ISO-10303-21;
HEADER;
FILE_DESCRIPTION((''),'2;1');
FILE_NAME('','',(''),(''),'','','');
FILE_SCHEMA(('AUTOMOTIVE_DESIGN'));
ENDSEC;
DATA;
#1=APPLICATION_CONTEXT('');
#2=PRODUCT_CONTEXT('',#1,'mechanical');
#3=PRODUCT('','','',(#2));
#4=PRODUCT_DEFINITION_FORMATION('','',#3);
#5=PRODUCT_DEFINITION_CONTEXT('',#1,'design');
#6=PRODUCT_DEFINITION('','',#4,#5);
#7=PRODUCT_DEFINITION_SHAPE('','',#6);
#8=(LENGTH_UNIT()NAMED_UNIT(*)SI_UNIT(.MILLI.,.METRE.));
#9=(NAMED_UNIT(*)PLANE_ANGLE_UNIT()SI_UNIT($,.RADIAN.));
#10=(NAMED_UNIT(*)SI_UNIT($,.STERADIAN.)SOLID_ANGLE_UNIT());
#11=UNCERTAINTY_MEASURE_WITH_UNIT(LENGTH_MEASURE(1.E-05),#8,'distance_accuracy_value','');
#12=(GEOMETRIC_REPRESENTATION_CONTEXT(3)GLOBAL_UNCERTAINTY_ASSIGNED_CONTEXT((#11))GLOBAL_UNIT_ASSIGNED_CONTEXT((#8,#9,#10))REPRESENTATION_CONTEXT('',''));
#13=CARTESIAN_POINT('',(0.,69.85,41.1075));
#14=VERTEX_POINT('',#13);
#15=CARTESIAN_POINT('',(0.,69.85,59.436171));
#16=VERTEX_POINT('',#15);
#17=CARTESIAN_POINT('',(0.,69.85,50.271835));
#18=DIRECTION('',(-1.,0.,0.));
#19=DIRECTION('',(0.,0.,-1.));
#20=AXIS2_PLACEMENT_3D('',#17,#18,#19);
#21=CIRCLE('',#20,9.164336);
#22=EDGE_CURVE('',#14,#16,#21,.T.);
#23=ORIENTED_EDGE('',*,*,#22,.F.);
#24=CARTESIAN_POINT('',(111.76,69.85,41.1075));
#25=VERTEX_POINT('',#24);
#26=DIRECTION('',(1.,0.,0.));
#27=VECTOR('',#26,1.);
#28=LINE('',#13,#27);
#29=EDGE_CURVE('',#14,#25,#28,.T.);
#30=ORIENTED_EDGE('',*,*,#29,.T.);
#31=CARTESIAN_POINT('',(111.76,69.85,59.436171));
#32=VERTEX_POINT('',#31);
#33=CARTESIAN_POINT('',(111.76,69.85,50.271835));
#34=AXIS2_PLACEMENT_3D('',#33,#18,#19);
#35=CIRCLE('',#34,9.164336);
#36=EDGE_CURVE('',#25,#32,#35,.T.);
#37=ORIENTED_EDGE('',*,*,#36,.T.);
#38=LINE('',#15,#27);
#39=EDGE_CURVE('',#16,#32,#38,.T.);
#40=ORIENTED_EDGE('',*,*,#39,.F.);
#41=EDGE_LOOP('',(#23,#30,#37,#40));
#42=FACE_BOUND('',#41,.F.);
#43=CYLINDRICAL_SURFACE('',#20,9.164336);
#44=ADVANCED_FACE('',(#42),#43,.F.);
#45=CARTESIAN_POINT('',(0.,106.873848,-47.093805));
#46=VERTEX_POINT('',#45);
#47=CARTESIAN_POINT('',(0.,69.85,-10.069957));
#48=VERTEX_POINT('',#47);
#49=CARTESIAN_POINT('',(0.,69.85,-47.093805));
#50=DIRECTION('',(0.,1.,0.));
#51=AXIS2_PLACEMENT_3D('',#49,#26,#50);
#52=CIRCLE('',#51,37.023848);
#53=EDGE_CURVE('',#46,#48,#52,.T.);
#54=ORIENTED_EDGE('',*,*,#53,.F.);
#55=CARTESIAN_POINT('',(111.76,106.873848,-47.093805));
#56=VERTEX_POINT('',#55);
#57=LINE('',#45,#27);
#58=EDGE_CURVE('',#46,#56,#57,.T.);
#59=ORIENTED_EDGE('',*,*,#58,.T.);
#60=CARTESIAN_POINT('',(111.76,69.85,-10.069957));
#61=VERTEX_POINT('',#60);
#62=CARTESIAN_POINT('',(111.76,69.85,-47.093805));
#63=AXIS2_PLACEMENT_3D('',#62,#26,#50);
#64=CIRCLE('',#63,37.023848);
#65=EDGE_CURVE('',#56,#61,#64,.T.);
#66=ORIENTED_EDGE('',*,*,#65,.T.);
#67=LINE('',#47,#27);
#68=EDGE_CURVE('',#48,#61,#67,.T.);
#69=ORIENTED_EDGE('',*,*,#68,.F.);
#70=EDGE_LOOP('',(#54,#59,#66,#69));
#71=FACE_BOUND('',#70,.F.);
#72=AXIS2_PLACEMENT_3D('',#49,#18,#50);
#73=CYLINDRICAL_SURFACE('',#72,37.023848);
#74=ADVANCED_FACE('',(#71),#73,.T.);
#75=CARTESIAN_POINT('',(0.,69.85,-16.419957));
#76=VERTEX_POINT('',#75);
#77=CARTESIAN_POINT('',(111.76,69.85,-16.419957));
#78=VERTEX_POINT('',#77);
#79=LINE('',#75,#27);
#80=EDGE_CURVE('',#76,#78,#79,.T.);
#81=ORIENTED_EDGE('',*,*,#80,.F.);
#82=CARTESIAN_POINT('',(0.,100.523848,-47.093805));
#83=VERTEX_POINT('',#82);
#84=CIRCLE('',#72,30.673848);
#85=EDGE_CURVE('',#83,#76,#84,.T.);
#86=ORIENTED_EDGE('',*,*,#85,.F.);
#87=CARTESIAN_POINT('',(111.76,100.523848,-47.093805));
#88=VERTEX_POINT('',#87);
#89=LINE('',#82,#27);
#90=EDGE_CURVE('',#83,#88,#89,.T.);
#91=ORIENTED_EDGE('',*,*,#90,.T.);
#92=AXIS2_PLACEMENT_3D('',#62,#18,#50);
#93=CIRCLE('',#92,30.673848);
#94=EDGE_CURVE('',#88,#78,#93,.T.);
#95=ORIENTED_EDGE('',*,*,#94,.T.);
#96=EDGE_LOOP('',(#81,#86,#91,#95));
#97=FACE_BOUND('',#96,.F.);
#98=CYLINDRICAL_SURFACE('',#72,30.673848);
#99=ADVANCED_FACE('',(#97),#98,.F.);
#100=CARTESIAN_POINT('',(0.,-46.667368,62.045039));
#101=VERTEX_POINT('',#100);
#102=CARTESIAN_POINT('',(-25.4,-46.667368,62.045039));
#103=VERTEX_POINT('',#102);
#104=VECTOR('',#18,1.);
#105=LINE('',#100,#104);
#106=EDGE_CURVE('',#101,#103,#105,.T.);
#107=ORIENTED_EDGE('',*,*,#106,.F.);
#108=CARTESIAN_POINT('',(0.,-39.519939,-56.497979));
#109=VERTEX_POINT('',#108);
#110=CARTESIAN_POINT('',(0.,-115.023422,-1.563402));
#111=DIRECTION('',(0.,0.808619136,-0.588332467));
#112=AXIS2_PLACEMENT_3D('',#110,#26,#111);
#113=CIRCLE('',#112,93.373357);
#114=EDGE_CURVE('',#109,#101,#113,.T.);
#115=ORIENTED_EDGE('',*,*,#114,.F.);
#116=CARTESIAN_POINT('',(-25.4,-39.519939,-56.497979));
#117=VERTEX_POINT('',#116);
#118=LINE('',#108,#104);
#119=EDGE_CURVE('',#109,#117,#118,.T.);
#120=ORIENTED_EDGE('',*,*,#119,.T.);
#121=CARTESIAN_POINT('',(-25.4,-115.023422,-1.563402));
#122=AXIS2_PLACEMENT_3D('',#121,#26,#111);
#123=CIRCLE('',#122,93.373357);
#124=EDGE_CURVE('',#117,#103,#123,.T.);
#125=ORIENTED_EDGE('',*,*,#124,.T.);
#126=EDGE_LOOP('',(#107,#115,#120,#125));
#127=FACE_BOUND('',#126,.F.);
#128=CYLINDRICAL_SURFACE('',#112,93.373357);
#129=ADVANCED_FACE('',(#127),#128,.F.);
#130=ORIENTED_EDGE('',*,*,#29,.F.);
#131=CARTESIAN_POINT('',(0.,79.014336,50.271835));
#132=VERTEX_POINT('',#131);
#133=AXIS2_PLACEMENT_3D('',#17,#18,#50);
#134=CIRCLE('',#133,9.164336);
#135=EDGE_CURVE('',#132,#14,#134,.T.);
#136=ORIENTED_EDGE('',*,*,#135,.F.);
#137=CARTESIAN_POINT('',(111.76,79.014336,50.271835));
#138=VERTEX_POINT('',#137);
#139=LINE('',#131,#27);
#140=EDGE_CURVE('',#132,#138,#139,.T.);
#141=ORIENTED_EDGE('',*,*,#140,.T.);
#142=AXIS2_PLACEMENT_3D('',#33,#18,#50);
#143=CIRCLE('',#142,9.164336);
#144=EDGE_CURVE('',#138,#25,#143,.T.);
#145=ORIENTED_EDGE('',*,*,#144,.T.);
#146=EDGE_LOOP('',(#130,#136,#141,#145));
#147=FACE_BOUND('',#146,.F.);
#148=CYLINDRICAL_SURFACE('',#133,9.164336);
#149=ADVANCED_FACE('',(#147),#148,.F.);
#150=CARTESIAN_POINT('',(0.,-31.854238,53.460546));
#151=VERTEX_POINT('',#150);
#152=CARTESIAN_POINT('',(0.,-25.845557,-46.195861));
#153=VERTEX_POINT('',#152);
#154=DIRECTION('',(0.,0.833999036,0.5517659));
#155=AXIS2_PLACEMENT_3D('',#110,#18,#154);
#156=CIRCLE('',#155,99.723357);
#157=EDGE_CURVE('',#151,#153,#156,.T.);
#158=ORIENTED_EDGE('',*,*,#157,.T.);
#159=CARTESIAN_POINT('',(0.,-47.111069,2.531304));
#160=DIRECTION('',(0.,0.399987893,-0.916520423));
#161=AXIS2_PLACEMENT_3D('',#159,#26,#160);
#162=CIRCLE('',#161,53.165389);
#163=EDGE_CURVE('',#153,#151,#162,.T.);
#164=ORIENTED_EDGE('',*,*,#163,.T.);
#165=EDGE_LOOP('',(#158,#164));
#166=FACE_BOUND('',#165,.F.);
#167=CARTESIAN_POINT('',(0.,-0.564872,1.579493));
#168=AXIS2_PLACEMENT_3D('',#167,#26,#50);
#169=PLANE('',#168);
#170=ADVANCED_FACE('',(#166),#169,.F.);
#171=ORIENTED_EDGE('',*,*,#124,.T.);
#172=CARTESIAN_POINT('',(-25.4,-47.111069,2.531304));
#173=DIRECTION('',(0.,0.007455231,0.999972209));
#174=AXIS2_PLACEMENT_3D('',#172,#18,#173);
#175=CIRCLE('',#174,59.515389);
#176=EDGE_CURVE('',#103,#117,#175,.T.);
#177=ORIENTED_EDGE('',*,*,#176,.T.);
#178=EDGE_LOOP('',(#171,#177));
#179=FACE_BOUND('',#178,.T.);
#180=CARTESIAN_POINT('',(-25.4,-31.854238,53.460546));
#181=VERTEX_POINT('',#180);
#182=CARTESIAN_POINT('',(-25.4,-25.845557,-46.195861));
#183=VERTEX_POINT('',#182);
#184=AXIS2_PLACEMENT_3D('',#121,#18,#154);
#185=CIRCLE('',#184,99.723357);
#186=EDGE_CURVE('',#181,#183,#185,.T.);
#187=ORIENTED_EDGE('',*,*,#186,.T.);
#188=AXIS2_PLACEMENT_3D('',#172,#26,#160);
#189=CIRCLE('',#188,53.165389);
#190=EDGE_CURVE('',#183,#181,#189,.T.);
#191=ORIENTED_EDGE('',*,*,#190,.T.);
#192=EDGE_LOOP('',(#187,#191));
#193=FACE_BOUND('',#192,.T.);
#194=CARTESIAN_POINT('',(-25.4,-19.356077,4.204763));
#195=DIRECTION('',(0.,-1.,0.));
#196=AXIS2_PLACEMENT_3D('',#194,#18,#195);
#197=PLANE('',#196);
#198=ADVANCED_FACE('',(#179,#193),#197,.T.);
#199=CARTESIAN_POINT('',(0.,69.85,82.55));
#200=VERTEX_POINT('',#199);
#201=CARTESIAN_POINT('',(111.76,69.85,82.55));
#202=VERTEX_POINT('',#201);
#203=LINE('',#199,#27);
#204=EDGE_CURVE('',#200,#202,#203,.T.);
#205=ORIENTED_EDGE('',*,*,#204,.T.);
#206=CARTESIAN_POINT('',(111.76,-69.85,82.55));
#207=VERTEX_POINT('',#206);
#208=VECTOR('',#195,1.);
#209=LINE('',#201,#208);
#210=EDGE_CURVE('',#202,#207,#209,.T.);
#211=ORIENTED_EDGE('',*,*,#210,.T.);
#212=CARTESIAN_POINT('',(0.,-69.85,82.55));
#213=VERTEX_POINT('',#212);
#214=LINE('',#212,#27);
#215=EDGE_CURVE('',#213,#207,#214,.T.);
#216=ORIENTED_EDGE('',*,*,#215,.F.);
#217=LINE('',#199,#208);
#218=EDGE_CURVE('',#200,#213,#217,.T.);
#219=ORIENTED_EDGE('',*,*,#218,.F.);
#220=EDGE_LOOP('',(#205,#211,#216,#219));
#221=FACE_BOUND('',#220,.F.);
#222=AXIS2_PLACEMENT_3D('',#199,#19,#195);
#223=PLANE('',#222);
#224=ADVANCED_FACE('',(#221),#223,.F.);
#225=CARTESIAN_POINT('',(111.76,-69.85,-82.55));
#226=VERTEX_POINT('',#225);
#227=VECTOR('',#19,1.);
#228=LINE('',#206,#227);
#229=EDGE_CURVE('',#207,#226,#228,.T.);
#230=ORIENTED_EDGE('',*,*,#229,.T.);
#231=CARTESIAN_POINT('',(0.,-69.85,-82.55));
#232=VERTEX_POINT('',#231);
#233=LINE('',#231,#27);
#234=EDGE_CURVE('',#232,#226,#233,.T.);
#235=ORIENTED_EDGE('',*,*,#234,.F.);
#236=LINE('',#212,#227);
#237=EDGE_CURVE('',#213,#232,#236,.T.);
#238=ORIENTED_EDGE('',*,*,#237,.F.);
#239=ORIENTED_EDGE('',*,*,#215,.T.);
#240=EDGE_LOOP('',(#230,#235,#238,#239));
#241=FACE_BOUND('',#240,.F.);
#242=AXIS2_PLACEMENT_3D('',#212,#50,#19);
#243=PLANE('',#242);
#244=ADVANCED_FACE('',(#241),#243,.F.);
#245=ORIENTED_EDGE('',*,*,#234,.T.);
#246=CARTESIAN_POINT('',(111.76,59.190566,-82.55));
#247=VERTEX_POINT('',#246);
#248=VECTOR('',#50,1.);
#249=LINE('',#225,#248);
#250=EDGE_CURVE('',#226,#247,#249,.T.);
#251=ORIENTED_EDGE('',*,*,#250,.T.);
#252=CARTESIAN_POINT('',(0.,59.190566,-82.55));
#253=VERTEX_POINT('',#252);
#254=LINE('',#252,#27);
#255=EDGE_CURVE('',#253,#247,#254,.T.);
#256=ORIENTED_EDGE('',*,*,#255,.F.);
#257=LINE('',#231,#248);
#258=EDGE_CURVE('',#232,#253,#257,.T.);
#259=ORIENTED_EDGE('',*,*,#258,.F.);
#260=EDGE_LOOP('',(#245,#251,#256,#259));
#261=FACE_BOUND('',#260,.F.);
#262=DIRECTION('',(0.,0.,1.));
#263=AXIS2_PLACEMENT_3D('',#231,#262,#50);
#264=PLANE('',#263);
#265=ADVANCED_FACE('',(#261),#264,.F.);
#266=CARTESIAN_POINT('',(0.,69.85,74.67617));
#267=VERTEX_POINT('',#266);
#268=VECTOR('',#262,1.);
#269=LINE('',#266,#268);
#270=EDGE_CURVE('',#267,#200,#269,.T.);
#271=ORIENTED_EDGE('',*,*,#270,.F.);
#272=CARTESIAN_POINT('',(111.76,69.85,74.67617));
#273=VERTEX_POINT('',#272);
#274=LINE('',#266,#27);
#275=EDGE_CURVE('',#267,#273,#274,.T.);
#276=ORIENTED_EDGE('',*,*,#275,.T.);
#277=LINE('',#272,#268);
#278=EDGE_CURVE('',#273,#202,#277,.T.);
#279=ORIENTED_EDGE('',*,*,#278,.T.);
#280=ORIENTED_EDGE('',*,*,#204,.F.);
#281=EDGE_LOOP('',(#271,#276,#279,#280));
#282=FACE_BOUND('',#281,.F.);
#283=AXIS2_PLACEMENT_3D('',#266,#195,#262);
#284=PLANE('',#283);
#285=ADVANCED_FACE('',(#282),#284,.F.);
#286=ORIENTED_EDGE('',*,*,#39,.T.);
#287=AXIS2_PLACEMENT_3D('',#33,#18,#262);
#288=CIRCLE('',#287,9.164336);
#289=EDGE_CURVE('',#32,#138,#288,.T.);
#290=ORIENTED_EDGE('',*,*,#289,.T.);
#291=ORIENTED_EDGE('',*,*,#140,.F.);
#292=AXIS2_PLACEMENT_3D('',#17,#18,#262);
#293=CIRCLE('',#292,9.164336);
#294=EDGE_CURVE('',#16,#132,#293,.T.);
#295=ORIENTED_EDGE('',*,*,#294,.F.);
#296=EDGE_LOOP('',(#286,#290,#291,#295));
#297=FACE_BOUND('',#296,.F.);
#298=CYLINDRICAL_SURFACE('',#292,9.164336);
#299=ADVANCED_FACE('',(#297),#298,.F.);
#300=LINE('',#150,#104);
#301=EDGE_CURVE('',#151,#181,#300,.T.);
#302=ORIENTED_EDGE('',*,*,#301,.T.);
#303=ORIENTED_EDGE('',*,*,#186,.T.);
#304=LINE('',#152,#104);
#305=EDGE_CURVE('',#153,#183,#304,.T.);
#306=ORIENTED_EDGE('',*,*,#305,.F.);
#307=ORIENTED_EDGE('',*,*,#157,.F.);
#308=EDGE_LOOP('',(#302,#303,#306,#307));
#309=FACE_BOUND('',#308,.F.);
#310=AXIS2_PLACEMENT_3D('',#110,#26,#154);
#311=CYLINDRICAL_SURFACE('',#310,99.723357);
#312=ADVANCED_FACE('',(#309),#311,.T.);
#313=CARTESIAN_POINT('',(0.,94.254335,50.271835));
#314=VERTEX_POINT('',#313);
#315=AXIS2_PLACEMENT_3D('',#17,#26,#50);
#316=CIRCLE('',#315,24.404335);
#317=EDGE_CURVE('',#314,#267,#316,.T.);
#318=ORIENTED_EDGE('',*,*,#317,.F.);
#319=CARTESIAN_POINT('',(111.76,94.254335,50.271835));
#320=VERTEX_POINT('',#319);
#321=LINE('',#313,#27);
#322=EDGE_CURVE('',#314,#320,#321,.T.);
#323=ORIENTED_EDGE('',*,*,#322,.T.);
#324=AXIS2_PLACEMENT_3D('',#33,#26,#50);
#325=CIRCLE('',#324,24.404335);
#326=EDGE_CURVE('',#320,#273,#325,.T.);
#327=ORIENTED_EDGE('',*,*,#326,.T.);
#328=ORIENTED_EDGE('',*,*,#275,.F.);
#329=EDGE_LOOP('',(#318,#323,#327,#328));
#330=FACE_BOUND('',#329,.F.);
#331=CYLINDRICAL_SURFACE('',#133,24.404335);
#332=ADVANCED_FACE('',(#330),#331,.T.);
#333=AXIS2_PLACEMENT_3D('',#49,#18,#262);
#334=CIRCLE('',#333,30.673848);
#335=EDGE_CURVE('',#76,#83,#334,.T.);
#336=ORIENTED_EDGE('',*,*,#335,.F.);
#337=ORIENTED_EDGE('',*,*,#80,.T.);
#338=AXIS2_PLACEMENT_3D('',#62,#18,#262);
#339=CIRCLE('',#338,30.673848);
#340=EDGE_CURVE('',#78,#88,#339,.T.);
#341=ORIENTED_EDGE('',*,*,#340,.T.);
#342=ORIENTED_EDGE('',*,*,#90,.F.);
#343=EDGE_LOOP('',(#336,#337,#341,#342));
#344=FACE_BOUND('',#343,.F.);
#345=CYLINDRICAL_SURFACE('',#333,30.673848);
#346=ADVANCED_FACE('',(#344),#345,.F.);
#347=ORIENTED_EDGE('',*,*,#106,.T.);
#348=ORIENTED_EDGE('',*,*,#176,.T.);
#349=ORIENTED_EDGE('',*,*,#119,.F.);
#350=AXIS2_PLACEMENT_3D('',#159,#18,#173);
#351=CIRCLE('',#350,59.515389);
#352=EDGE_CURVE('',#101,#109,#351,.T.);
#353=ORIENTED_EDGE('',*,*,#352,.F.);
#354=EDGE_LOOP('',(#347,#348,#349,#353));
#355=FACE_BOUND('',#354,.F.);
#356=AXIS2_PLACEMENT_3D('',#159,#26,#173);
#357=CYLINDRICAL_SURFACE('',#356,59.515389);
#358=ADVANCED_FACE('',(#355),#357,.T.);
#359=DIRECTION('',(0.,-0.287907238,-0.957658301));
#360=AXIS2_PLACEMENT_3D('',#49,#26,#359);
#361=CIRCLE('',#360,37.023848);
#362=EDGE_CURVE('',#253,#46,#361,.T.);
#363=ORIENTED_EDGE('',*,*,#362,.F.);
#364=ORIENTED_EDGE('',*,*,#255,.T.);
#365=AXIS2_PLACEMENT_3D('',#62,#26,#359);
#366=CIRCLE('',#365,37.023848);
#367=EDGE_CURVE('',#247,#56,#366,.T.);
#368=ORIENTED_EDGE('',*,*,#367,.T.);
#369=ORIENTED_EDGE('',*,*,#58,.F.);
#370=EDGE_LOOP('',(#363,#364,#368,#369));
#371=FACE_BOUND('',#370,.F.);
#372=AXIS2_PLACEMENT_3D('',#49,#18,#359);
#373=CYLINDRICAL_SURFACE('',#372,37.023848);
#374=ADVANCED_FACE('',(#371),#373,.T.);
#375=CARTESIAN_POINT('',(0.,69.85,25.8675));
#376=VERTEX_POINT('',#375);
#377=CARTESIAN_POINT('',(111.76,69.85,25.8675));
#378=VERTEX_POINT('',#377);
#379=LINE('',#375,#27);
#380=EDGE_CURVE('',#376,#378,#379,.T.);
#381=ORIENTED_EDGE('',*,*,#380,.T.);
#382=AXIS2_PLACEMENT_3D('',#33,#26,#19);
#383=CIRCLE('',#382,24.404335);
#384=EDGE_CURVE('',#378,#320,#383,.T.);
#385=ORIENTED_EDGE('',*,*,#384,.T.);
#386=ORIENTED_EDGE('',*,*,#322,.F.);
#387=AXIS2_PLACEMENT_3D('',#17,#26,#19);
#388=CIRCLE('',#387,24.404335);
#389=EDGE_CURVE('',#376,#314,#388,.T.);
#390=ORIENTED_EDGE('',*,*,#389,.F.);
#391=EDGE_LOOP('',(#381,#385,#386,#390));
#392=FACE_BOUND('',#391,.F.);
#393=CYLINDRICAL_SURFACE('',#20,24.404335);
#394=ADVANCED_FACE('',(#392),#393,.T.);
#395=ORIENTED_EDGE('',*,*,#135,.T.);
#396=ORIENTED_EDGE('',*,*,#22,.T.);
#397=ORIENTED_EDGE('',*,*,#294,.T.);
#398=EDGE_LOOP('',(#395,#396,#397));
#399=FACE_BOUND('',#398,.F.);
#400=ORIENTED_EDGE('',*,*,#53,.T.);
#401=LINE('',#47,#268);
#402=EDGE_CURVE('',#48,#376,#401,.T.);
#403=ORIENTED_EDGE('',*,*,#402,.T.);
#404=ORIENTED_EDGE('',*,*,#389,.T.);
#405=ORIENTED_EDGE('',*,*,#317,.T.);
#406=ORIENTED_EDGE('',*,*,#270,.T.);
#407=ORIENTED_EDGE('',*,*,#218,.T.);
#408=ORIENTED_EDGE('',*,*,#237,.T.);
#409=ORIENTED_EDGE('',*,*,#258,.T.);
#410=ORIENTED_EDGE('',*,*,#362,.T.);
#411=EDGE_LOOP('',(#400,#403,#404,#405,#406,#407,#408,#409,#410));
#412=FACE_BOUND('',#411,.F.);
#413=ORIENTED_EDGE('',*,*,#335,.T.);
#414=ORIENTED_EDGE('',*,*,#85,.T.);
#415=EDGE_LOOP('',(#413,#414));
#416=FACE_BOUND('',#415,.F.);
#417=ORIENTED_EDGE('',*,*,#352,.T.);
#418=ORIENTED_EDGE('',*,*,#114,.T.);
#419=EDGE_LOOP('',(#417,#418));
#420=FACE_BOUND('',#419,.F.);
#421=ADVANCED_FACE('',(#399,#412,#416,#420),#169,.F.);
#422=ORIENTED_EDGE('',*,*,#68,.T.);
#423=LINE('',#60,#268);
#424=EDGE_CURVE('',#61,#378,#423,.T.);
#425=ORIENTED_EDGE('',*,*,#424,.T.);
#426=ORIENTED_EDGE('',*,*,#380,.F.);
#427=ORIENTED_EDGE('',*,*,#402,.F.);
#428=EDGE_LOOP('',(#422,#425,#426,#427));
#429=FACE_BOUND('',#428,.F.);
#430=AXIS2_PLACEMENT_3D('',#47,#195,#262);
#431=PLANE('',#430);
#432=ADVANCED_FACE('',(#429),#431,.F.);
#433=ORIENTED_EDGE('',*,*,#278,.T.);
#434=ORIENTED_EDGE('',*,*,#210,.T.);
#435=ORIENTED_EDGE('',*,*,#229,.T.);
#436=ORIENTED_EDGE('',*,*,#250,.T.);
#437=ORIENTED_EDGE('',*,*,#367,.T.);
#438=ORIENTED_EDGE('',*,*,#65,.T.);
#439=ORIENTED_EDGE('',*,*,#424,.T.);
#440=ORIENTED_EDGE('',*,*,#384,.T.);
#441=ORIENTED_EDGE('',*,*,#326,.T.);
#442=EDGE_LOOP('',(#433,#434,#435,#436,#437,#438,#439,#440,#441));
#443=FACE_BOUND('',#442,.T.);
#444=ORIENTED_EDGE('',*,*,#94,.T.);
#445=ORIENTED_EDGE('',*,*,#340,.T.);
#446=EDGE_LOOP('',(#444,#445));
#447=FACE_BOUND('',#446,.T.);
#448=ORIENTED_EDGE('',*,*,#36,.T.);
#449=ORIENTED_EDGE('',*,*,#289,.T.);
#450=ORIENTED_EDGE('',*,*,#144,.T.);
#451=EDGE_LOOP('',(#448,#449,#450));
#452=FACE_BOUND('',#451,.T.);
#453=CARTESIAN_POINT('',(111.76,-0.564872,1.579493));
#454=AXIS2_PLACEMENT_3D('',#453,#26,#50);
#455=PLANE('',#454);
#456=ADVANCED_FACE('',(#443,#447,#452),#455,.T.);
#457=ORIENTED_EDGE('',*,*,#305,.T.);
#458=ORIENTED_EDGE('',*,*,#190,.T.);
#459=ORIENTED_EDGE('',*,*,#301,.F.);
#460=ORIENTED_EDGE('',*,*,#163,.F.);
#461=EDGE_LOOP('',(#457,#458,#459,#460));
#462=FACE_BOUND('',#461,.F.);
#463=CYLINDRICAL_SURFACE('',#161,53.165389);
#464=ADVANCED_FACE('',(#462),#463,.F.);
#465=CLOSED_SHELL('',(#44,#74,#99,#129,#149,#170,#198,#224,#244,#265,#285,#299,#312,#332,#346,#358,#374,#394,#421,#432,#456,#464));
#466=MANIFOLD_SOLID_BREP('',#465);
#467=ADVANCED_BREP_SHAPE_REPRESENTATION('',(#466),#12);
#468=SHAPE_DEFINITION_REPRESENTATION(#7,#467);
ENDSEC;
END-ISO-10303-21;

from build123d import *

# Parameters (mm, degrees)
F1_DEPTH = 111.76
F4_DEPTH = 25.4


with BuildPart() as f1:
    # F0 (on Right) → F1 (new body)
    with BuildSketch(Plane.YZ):
        with BuildLine():
            ThreePointArc((59.190566269, -82.55), (33.2201620113, -41.7067588395), (69.85, -10.0699572513))
            Line((69.85, -10.0699572513), (69.85, 25.8675002325))
            ThreePointArc((69.85, 25.8675002325), (45.4456650544, 50.2718351781), (69.85, 74.6761701237))
            Line((69.85, 74.6761701237), (69.85, 82.55))
            Line((69.85, 82.55), (-69.85, 82.55))
            Line((-69.85, 82.55), (-69.85, -82.55))
            Line((-69.85, -82.55), (59.190566269, -82.55))
        make_face()
        with BuildLine():
            ThreePointArc((59.190566269, -82.55), (91.9419900175, -76.8042285794), (106.8738476743, -47.0938049257))
            ThreePointArc((106.8738476743, -47.0938049257), (96.0298137561, -20.9139911695), (69.85, -10.0699572513))
            Line((69.85, -10.0699572513), (69.85, -16.4199572513))
            ThreePointArc((69.85, -16.4199572513), (91.5396856956, -25.4041192301), (100.5238476743, -47.0938049257))
            ThreePointArc((100.5238476743, -47.0938049257), (91.5396856956, -68.7834906213), (69.85, -77.7676526))
            Line((69.85, -77.7676526), (69.85, -82.55))
            Line((69.85, -82.55), (59.190566269, -82.55))
        make_face()
        with BuildLine():
            Line((69.85, 41.1074995935), (69.85, 25.8675002325))
            ThreePointArc((69.85, 25.8675002325), (87.1064707304, 33.0153644477), (94.2543349456, 50.2718351781))
            ThreePointArc((94.2543349456, 50.2718351781), (87.1064707304, 67.5283059085), (69.85, 74.6761701237))
            Line((69.85, 74.6761701237), (69.85, 59.4361707628))
            ThreePointArc((69.85, 59.4361707628), (76.330163837, 56.7519990151), (79.0143355846, 50.2718351781))
            ThreePointArc((79.0143355846, 50.2718351781), (76.330163837, 43.7916713412), (69.85, 41.1074995935))
        make_face()
        with BuildLine():
            Line((69.85, -16.4199572513), (69.85, -10.0699572513))
            ThreePointArc((69.85, -10.0699572513), (33.2201620113, -41.7067588395), (59.190566269, -82.55))
            Line((59.190566269, -82.55), (69.85, -82.55))
            Line((69.85, -82.55), (69.85, -77.7676526))
            ThreePointArc((69.85, -77.7676526), (39.1761523257, -47.0938049257), (69.85, -16.4199572513))
        make_face()
        with BuildLine():
            ThreePointArc((69.85, 74.6761701237), (45.4456650544, 50.2718351781), (69.85, 25.8675002325))
            Line((69.85, 25.8675002325), (69.85, 41.1074995935))
            ThreePointArc((69.85, 41.1074995935), (60.6856644154, 50.2718351781), (69.85, 59.4361707628))
            Line((69.85, 59.4361707628), (69.85, 74.6761701237))
        make_face()
    extrude(amount=F1_DEPTH)

    # F3 (on face) → F4 (join)
    with BuildSketch(Plane(origin=(0, 0, 0), x_dir=(0, -1, 0), z_dir=(-1, 0, 0))):
        with BuildLine():
            ThreePointArc((39.5199386348, -56.4979792395), (21.8193266657, 4.0562435302), (46.667368415, 62.045038832))
            ThreePointArc((46.667368415, 62.045038832), (-12.2964336182, 6.1132183314), (39.5199386348, -56.4979792395))
        make_face()
        with BuildLine():
            ThreePointArc((25.8455574512, -46.1958609521), (-5.9579445218, 5.7310456276), (31.8542383611, 53.4605458379))
            ThreePointArc((31.8542383611, 53.4605458379), (15.4808375694, 4.438416234), (25.8455574512, -46.1958609521))
        make_face(mode=Mode.SUBTRACT)
    extrude(amount=F4_DEPTH)


solid = f1.part
